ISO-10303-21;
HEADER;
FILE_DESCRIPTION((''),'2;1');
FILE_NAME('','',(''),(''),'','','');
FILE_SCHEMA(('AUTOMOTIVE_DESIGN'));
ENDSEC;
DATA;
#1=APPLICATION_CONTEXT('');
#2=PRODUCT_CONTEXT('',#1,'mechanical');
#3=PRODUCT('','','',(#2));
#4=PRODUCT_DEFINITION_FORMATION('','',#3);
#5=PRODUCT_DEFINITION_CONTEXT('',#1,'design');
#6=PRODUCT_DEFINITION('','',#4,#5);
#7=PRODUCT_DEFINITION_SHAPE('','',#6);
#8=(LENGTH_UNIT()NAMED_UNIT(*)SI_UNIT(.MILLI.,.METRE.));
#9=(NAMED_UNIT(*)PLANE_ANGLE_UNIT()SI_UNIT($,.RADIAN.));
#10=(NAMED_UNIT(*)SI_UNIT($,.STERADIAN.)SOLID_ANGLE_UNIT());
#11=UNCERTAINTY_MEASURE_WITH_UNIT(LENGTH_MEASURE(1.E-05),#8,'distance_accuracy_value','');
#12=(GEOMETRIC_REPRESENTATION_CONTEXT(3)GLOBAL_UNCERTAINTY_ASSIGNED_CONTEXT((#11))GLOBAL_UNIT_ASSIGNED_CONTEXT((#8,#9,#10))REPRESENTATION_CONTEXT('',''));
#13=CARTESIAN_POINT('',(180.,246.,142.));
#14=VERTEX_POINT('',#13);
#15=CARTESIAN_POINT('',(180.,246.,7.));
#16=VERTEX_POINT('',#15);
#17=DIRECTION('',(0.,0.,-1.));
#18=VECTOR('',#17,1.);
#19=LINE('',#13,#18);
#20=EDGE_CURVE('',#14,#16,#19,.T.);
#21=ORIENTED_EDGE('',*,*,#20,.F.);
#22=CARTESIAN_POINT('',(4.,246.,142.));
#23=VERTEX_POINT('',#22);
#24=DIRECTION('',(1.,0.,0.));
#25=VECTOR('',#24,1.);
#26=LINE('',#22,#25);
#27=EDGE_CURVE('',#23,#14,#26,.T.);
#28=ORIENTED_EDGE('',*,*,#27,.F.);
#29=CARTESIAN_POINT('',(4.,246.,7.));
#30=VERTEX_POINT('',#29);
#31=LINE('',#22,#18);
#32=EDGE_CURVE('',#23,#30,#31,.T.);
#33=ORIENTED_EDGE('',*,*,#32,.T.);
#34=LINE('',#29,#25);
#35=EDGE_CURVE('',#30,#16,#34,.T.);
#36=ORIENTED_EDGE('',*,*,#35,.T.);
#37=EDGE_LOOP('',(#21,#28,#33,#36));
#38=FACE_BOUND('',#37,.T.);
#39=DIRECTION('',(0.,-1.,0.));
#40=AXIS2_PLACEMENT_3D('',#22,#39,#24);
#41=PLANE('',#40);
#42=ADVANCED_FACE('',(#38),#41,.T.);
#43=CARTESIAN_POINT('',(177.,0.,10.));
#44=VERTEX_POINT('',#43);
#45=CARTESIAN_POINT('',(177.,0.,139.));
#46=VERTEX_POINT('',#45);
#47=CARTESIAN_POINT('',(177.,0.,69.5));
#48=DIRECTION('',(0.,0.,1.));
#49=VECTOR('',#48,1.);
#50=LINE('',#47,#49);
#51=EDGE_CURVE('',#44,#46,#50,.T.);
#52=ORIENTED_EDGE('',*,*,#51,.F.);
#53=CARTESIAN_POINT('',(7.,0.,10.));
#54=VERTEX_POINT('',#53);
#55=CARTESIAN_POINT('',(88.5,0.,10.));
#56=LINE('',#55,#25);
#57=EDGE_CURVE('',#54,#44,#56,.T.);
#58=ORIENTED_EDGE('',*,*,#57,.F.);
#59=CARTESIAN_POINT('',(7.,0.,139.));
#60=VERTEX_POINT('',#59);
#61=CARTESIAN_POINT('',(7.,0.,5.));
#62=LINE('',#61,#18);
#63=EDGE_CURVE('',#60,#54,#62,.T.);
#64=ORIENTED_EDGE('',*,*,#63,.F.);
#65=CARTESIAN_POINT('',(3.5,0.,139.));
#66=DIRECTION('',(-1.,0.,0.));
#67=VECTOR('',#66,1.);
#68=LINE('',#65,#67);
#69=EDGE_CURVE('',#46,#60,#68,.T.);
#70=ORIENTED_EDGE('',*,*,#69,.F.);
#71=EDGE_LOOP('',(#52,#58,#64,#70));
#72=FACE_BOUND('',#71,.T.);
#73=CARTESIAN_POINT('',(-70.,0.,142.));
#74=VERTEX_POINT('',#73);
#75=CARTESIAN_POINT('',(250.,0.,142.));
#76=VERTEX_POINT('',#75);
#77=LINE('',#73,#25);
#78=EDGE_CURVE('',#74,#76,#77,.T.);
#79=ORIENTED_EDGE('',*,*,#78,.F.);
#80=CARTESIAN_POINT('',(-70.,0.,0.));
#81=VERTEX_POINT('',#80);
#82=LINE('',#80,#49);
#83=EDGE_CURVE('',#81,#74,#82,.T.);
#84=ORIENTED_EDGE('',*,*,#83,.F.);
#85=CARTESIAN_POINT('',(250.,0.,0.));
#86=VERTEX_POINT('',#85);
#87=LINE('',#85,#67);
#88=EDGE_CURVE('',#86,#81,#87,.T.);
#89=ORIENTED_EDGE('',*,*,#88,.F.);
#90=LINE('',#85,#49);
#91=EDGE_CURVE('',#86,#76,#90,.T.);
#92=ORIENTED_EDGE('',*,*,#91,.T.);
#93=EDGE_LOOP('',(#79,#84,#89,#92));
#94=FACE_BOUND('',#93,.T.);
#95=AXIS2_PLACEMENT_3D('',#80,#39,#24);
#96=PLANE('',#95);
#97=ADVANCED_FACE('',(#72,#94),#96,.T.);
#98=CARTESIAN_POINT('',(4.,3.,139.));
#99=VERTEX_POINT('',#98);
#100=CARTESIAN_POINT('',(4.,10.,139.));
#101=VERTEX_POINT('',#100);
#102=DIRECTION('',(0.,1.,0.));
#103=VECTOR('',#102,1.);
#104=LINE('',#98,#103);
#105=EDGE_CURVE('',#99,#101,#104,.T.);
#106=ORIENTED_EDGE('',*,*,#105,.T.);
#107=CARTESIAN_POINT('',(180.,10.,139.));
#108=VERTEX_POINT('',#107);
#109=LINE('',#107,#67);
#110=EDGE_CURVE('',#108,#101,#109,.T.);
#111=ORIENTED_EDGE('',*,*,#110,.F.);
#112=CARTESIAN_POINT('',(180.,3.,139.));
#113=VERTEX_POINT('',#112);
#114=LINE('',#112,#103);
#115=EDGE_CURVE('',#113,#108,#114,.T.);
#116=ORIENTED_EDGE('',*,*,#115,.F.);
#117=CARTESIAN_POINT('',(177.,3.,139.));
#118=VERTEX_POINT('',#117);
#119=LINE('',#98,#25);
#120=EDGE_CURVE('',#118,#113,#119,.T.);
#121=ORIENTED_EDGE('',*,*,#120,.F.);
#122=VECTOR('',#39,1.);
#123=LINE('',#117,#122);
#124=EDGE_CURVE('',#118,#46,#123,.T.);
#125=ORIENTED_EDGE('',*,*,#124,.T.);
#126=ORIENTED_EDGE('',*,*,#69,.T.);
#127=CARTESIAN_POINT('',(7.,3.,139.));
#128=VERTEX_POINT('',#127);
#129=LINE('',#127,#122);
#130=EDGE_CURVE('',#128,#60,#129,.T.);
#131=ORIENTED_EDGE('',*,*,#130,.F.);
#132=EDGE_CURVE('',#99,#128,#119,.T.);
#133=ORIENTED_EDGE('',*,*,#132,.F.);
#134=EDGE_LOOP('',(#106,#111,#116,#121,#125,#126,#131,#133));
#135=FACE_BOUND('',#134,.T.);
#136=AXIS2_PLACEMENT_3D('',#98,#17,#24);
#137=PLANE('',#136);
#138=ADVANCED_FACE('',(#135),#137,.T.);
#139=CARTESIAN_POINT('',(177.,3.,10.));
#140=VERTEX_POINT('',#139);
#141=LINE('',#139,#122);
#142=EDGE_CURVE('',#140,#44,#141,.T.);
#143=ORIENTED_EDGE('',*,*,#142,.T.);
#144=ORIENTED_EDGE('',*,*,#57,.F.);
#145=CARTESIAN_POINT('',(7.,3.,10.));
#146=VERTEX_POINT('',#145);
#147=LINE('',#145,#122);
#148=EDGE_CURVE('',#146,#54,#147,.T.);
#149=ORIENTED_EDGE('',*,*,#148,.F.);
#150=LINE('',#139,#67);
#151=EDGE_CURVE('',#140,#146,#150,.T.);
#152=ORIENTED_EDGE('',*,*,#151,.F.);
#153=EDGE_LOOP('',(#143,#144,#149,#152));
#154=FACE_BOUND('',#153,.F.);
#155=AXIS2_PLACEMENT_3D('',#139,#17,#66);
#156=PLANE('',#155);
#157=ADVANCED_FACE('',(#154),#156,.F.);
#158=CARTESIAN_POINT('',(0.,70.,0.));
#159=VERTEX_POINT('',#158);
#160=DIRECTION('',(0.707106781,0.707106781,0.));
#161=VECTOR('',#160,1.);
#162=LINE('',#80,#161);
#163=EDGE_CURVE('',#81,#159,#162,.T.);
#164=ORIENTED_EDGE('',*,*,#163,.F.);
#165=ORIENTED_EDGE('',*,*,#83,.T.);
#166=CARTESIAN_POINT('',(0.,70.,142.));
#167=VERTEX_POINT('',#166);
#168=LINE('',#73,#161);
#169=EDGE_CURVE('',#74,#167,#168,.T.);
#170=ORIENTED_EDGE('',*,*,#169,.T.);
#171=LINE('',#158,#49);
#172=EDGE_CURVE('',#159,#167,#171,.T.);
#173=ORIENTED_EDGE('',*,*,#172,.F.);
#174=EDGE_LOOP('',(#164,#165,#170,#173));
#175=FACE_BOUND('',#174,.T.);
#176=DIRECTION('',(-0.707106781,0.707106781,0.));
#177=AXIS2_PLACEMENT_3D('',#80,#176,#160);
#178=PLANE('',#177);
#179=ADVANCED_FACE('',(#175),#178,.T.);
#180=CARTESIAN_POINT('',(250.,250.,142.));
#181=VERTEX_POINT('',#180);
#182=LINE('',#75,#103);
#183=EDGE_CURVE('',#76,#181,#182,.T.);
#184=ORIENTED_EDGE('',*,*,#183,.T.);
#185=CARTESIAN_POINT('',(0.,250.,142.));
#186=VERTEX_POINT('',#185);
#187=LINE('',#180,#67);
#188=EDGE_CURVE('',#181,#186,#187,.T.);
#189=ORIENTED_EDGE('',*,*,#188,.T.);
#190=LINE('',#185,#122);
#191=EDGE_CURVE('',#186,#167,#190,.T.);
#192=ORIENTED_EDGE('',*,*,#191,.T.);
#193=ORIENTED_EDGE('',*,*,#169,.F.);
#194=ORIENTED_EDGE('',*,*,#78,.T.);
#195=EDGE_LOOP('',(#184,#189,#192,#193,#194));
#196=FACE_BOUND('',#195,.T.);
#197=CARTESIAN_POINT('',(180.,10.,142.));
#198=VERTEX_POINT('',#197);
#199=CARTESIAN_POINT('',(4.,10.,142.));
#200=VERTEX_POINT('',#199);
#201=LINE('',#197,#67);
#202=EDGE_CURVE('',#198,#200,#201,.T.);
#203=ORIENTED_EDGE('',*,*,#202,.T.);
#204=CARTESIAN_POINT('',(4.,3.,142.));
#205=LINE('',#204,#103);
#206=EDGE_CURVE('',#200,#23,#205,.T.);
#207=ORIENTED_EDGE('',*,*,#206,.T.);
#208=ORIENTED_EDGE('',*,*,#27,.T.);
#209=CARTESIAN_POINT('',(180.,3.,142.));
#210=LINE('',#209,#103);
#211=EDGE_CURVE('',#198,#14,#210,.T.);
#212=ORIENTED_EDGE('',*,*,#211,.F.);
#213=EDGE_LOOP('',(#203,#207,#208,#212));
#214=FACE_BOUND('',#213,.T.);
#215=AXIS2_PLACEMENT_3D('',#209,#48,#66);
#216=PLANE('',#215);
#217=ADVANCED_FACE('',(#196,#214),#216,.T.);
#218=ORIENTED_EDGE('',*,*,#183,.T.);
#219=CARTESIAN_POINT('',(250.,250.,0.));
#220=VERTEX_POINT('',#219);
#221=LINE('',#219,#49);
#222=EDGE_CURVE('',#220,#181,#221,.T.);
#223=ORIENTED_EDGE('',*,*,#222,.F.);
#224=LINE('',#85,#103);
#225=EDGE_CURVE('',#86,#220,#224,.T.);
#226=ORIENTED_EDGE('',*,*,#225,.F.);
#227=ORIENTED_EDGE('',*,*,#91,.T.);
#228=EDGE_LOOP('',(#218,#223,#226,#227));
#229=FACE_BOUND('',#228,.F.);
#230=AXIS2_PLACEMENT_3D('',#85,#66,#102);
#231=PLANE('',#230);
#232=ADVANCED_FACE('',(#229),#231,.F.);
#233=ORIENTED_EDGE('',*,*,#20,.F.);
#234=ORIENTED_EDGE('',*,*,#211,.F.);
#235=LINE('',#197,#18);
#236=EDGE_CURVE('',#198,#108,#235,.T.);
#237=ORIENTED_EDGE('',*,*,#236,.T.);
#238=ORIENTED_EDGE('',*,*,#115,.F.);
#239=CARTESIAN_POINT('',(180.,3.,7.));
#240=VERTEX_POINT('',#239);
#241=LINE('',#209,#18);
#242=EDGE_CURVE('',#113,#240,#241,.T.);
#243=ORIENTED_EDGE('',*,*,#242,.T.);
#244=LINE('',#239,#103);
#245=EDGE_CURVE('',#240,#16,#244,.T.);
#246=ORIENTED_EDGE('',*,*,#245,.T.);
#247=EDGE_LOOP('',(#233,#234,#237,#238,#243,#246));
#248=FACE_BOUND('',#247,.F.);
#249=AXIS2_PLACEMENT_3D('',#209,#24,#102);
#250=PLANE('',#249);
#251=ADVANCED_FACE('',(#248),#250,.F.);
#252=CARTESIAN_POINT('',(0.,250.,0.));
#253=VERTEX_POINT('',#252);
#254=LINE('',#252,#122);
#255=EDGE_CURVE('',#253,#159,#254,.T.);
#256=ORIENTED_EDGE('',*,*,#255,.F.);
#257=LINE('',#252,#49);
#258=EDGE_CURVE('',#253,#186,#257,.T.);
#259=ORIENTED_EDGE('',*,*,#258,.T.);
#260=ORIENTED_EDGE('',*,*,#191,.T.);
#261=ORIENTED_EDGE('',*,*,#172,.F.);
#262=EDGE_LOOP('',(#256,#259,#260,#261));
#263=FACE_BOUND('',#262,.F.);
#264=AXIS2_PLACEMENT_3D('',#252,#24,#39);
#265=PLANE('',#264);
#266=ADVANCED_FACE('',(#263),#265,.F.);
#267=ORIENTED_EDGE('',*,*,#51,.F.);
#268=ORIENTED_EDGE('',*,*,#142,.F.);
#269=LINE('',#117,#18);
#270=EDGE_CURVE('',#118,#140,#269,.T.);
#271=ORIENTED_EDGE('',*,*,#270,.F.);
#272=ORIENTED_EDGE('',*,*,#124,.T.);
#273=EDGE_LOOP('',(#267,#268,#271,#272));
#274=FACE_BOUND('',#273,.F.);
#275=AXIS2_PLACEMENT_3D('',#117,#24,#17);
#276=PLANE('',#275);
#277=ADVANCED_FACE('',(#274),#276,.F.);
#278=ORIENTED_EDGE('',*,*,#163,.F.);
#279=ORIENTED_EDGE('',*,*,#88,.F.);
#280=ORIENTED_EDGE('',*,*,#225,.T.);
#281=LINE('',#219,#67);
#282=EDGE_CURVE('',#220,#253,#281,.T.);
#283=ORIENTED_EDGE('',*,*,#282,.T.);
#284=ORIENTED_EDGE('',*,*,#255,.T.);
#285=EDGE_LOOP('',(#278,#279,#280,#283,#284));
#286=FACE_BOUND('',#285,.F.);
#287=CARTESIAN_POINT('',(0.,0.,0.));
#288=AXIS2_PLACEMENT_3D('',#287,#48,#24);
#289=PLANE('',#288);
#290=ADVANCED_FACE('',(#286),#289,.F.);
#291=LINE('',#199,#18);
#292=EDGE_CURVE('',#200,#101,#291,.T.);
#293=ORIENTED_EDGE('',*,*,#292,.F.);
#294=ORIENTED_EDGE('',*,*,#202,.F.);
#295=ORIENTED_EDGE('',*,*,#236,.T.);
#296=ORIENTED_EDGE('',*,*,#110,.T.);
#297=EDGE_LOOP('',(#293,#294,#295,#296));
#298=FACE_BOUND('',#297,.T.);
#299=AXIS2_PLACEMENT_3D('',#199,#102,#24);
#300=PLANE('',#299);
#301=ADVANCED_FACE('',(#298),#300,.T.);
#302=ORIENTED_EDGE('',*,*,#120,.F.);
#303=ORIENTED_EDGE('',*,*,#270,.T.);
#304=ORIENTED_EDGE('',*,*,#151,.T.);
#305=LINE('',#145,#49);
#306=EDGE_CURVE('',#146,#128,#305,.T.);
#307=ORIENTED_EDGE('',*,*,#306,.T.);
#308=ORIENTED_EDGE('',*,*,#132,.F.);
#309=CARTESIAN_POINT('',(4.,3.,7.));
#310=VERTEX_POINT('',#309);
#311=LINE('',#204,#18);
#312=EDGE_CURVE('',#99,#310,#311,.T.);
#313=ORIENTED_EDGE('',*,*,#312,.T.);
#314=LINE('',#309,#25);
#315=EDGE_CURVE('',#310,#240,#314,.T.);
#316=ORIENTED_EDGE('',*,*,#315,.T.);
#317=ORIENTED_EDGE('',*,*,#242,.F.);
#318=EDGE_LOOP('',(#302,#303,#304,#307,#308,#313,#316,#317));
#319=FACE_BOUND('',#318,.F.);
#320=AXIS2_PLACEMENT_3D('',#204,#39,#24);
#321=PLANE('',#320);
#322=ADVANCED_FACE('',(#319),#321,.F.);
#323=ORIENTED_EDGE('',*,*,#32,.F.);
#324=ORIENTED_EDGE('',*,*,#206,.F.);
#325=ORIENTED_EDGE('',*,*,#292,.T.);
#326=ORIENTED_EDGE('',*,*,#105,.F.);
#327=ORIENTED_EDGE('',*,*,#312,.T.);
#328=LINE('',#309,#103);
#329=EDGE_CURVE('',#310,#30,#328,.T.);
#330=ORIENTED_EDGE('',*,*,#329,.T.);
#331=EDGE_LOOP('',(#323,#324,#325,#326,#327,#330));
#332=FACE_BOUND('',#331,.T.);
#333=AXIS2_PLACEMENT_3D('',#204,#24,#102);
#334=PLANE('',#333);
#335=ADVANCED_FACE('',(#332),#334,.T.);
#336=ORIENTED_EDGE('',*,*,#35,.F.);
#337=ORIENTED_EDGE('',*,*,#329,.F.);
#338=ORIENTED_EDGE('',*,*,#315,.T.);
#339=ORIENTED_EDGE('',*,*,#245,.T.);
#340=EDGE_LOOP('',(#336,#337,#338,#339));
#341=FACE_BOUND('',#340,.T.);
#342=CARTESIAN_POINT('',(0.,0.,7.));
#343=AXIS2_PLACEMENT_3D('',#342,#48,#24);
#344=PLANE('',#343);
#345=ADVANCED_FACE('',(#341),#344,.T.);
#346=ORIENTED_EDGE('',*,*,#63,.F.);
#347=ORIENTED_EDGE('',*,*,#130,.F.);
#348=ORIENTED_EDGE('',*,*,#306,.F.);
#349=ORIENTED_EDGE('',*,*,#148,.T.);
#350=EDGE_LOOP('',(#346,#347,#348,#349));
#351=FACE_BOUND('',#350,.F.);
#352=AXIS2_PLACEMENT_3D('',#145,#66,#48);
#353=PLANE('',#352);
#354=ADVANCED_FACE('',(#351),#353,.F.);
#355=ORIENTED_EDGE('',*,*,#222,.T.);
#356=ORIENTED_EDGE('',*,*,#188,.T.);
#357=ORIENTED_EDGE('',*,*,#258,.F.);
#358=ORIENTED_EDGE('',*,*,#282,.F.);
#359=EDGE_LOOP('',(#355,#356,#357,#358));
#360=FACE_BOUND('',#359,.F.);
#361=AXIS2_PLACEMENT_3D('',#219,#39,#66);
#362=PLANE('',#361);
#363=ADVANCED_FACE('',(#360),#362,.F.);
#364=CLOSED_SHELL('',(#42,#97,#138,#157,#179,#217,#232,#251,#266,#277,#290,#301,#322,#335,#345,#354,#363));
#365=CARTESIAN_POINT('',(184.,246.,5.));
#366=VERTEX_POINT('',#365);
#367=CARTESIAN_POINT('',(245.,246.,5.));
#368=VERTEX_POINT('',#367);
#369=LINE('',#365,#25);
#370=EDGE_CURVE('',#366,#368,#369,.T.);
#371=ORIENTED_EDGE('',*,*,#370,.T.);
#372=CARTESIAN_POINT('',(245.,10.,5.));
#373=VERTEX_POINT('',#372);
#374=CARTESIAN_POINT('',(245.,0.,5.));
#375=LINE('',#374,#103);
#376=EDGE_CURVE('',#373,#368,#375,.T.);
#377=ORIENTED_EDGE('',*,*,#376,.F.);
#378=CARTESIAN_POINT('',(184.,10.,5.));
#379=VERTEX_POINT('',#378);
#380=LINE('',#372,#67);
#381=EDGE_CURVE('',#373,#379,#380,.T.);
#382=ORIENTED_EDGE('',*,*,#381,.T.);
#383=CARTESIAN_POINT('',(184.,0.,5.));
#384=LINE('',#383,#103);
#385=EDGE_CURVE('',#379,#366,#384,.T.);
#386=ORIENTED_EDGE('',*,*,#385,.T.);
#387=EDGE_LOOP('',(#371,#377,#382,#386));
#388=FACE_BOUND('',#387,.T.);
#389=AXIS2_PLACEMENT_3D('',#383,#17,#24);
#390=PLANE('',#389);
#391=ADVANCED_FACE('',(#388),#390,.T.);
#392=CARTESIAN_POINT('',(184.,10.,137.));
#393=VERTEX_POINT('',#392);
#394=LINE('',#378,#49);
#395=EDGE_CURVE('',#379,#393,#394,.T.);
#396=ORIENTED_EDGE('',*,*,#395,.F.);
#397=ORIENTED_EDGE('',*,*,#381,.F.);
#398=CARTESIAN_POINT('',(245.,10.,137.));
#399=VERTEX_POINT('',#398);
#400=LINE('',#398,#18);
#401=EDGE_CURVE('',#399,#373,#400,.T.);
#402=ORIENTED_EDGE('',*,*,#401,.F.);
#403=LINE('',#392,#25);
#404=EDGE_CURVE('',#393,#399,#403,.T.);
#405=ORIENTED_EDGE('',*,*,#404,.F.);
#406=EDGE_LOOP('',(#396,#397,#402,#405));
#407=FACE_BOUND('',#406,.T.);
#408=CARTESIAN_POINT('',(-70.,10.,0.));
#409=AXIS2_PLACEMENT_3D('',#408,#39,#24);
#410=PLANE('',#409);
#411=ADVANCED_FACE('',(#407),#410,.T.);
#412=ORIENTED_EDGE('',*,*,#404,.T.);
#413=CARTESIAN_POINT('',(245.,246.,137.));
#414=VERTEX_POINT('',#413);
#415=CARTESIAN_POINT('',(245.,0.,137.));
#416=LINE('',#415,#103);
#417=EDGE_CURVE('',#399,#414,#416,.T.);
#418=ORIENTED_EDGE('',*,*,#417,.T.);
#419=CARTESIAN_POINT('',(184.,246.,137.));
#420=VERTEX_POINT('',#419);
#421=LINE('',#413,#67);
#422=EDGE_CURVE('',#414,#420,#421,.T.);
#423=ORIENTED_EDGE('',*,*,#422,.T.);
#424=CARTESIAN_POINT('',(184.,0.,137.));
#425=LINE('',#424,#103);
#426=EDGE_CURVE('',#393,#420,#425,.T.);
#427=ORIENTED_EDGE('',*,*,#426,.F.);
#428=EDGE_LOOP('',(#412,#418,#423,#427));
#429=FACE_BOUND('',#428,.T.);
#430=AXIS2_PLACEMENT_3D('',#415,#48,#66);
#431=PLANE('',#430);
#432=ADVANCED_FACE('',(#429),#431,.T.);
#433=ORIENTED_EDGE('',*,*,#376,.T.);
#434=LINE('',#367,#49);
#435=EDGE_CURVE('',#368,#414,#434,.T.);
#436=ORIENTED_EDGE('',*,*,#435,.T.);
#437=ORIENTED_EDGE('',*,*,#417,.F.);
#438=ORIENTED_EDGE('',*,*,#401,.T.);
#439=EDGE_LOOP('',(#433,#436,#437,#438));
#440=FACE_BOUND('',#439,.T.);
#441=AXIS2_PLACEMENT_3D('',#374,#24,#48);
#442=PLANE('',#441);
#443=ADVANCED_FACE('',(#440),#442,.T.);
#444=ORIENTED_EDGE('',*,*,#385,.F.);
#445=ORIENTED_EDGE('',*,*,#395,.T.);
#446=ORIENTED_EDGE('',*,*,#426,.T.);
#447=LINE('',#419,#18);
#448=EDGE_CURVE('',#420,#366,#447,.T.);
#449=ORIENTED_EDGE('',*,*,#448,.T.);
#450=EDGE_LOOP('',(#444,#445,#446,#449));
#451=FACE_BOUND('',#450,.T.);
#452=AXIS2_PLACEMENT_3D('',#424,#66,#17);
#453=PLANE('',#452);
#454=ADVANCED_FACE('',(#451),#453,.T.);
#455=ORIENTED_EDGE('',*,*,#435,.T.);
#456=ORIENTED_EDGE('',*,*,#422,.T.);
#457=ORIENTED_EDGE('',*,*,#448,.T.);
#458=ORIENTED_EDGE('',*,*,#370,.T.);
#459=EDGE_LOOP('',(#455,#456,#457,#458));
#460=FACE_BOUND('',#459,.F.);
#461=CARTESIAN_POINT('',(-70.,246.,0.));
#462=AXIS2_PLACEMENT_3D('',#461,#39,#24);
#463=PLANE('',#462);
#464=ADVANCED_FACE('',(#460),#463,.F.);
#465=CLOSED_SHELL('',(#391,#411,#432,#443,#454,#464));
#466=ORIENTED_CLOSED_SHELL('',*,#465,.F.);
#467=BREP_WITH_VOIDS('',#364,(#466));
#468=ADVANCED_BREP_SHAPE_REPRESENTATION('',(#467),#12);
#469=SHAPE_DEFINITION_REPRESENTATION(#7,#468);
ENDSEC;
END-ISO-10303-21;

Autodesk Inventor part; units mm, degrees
ref_plane "YZ Plane" through (0, 0, 0) normal (1, 0, 0) x (0, 1, 0)
ref_plane "XZ Plane" through (0, 0, 0) normal (0, 1, 0) x (-1, 0, 0)
ref_plane "XY Plane" through (0, 0, 0) normal (0, 0, 1) x (1, 0, 0)
sketch "Sketch1" plane through (0, 0, 0) normal (0, 0, 1) x (1, 0, 0)
  point P0 (0, 0)
sketch "Sketch2" plane through (0, 0, 0) normal (0, 0, 1) x (1, 0, 0)
  line L0 (0, 0) -> (250, 0)
  line L1 (250, 0) -> (250, 250)
  line L2 (250, 250) -> (0, 250)
  line L3 (0, 250) -> (0, 0)
  line L4 (0, 0) -> (-70, 0)
  line L5 (-70, 0) -> (0, 70)
  dimension "d0" = 250
  dimension "d1" = 250
  dimension "d2" = 70
  dimension "d3" = 45
extrude "Extrusion1" add sketch "Sketch2" along normal blind 142
sketch "Sketch3" plane through (0, 0, 142) normal (0, 0, 1) x (1, 0, 0)
  line L0 (4, 3) -> (180, 3)
  line L1 (-70, 0) -> (250, 0) projected
  line L2 (4, 3) -> (180, 3) construction
  line L3 (180, 3) -> (180, 246)
  line L4 (4, 3) -> (4, 246)
  line L5 (4, 3) -> (247, 3) construction
  line L6 (250, 250) -> (0, 250) projected
  line L7 (4, 246) -> (180, 246)
  point P0 (0, 0)
  dimension "d6" = 176
  dimension "d7" = 0
  dimension "d8" = 243
  dimension "d9" = 243
  dimension "d10" = 90
extrude "Extrusion2" cut sketch "Sketch3" against normal blind 135
sketch "Sketch4" plane through (4, 3, 142) normal (0, 1, 0) x (1, 0, 0)
  line L0 (3, 3) -> (173, 3)
  line L1 (176, 0) -> (0, 0) projected
  line L2 (173, 3) -> (173, 132)
  line L3 (173, 132) -> (3, 132)
  line L4 (176, 135) -> (0, 135) projected
  line L5 (3, 132) -> (3, 3)
  line L6 (176, 0) -> (176, 135) projected
  line L7 (0, 0) -> (0, 135) projected
  point P0 (-4, 142)
  dimension "d13" = 3
  dimension "d14" = 3
  dimension "d15" = 3
  dimension "d16" = 3
extrude "Extrusion3" cut sketch "Sketch4" against normal through all contours L5 L3 L2 L0
sketch "Sketch5" plane through (4, 3, 142) normal (0, 1, 0) x (1, 0, 0)
  line L0 (176, 0) -> (0, 0) projected
  line L1 (0, 0) -> (0, 3)
  line L2 (3, 3) -> (3, 132) projected
  line L3 (0, 3) -> (176, 3)
  line L4 (176, 0) -> (176, 135) projected
  line L5 (176, 0) -> (0, 0)
  line L6 (3, 3) -> (173, 3) projected
  point P0 (-4, 142)
extrude "Extrusion4" add sketch "Sketch5" along normal blind 7
sketch "Sketch6" plane through (-70, 0, 0) normal (0, -1, 0) x (1, 0, 0)
  line L0 (315, 137) -> (254, 137)
  line L1 (254, 137) -> (254, 5)
  line L2 (254, 5) -> (315, 5)
  line L3 (315, 5) -> (315, 137)
  line L4 (0, 142) -> (320, 142) projected
  line L5 (0, 0) -> (320, 0) projected
  line L6 (320, 0) -> (320, 142) projected
  line L7 (247, 139) -> (247, 10) projected
  point P0 (70, 0)
  dimension "d21" = 5
  dimension "d22" = 5
  dimension "d23" = 5
  dimension "d24" = 7
extrude "Extrusion5" cut sketch "Sketch6" against normal blind 246
sketch "Sketch7" plane through (-70, 0, 0) normal (0, -1, 0) x (1, 0, 0)
  line L0 (254, 5) -> (254, 137) projected
  line L1 (315, 137) -> (315, 5) projected
  line L2 (254, 137) -> (315, 137)
  line L3 (315, 137) -> (315, 5)
  line L4 (315, 5) -> (254, 5)
  line L5 (254, 5) -> (254, 137)
  point P0 (70, 0)
  point P1 (315, 5)
extrude "Extrusion6" add sketch "Sketch7" against normal blind 10
properties part number "Body_updated"
